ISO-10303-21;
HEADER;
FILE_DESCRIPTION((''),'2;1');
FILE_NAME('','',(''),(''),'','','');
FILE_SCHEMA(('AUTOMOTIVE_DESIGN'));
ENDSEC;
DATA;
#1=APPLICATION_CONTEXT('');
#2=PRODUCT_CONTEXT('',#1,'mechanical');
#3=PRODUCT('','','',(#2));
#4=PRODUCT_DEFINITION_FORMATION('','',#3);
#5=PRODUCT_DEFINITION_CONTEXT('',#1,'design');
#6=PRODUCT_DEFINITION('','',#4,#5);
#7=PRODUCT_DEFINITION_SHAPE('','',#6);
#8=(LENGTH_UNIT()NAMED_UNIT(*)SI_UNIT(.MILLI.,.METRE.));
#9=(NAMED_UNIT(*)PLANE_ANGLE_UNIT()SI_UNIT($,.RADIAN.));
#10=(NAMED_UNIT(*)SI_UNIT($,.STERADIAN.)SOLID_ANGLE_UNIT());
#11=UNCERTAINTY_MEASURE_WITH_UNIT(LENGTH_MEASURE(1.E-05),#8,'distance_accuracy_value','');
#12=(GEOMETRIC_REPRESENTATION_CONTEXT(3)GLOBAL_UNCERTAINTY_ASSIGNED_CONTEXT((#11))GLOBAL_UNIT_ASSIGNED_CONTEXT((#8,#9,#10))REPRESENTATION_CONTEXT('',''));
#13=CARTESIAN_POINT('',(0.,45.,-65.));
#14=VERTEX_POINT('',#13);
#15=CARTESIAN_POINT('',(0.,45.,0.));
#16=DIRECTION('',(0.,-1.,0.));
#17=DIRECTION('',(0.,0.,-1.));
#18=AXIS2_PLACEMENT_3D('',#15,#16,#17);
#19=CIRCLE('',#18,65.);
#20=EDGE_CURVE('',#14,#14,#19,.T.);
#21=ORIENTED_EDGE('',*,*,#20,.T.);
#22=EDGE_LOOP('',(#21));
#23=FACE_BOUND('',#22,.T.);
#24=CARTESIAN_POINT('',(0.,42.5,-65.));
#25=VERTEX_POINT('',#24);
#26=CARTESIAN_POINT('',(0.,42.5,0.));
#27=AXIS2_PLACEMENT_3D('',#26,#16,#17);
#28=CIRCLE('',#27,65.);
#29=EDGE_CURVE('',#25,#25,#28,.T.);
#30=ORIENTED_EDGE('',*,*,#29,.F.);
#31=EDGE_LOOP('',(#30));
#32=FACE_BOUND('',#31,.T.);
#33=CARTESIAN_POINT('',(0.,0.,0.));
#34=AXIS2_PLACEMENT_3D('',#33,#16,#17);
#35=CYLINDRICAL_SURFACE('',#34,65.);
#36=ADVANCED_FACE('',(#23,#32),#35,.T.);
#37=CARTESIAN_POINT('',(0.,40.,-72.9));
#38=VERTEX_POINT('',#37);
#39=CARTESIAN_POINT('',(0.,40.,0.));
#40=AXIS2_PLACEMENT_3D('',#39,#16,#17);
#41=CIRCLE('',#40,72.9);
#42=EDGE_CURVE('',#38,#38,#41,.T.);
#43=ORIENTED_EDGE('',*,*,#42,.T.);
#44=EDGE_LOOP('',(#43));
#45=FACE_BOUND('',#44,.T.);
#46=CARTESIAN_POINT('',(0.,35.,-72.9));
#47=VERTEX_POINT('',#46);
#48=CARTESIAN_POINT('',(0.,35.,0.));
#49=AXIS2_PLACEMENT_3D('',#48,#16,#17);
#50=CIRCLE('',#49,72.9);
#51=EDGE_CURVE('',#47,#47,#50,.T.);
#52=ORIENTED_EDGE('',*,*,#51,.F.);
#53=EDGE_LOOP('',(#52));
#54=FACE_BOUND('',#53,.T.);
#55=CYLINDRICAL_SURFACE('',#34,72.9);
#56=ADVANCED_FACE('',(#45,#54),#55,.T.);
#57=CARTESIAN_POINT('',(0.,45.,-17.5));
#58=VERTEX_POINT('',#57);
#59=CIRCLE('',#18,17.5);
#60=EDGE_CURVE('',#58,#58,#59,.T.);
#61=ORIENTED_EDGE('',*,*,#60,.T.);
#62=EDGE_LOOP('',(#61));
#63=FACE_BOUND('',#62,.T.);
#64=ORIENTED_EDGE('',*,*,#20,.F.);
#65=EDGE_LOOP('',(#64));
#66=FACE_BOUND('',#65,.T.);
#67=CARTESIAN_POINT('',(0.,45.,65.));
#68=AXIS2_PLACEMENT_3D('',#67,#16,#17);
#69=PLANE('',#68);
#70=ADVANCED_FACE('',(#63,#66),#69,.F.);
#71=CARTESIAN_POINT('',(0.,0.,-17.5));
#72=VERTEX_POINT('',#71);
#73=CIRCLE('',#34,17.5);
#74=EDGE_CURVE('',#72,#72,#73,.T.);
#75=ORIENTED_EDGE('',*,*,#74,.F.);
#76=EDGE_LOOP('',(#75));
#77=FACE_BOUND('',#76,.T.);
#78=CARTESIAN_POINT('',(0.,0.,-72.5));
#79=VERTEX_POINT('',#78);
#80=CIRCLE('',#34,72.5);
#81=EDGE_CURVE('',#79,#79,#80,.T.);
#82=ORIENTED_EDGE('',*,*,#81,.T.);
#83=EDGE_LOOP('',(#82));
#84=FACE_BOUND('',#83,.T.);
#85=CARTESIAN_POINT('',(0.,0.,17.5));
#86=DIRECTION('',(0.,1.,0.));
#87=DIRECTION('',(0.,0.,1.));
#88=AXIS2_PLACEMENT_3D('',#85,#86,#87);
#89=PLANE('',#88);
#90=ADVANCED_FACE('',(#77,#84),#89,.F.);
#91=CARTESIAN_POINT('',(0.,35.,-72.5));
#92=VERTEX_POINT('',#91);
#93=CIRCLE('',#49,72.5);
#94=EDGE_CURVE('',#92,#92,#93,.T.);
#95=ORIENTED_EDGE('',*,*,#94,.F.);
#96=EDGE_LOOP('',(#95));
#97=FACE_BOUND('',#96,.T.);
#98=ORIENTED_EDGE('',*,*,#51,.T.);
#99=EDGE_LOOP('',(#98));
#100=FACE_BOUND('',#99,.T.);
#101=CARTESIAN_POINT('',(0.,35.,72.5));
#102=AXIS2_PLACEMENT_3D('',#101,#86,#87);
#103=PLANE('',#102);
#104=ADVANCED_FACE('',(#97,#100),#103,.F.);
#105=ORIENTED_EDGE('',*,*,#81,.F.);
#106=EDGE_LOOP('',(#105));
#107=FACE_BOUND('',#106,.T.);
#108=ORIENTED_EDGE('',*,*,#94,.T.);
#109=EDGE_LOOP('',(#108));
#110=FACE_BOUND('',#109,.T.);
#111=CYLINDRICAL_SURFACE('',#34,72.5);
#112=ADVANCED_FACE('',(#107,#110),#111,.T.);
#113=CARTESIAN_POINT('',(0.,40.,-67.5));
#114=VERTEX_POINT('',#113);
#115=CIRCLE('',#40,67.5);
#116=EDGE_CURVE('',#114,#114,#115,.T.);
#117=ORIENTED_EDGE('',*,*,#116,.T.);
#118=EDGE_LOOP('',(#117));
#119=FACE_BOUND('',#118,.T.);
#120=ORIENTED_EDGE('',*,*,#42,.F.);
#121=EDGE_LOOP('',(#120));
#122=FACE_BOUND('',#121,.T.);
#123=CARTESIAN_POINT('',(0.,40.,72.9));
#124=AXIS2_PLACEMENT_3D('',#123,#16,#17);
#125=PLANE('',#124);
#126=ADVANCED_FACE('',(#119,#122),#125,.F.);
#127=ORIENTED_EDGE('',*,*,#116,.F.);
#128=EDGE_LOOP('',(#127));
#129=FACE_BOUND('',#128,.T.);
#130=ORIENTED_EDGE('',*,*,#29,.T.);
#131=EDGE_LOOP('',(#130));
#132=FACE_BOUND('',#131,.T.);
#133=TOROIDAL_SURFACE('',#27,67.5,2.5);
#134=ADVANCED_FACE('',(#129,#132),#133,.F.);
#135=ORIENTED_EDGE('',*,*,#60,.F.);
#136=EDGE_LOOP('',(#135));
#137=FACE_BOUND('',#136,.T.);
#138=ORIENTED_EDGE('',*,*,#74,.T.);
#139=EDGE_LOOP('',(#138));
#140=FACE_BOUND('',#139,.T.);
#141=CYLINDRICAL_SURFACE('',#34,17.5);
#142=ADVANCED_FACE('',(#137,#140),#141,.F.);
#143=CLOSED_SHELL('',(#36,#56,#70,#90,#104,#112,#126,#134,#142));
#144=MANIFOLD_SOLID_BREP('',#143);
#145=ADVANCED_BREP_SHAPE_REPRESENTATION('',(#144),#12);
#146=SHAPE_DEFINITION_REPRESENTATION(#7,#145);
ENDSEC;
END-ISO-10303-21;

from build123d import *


with BuildPart() as part:
    # 草图1 → 旋转1 (revolve)
    with BuildSketch(Plane(origin=(0, 0, 0), x_dir=(0, 0, -1), z_dir=(1, 0, 0)), mode=Mode.PRIVATE) as revolve_1_sk:
        with BuildLine():
            Line((-17.5, 45), (-17.5, 0))
            Line((-17.5, 0), (-72.5, 0))
            Line((-72.5, 0), (-72.5, 35))
            Line((-72.5, 35), (-72.9, 35))
            Line((-72.9, 35), (-72.9, 40))
            Line((-72.9, 40), (-67.5, 40))
            ThreePointArc((-67.5, 40), (-65.732233047, 40.732233047), (-65, 42.5))
            Line((-65, 42.5), (-65, 45))
            Line((-65, 45), (-17.5, 45))
        make_face()
    revolve(revolve_1_sk.sketch.rotate(Axis((0, 0, 0), (0, 1, 0)), 180), axis=Axis((0, 0, 0), (0, 1, 0)))


solid = part.part
